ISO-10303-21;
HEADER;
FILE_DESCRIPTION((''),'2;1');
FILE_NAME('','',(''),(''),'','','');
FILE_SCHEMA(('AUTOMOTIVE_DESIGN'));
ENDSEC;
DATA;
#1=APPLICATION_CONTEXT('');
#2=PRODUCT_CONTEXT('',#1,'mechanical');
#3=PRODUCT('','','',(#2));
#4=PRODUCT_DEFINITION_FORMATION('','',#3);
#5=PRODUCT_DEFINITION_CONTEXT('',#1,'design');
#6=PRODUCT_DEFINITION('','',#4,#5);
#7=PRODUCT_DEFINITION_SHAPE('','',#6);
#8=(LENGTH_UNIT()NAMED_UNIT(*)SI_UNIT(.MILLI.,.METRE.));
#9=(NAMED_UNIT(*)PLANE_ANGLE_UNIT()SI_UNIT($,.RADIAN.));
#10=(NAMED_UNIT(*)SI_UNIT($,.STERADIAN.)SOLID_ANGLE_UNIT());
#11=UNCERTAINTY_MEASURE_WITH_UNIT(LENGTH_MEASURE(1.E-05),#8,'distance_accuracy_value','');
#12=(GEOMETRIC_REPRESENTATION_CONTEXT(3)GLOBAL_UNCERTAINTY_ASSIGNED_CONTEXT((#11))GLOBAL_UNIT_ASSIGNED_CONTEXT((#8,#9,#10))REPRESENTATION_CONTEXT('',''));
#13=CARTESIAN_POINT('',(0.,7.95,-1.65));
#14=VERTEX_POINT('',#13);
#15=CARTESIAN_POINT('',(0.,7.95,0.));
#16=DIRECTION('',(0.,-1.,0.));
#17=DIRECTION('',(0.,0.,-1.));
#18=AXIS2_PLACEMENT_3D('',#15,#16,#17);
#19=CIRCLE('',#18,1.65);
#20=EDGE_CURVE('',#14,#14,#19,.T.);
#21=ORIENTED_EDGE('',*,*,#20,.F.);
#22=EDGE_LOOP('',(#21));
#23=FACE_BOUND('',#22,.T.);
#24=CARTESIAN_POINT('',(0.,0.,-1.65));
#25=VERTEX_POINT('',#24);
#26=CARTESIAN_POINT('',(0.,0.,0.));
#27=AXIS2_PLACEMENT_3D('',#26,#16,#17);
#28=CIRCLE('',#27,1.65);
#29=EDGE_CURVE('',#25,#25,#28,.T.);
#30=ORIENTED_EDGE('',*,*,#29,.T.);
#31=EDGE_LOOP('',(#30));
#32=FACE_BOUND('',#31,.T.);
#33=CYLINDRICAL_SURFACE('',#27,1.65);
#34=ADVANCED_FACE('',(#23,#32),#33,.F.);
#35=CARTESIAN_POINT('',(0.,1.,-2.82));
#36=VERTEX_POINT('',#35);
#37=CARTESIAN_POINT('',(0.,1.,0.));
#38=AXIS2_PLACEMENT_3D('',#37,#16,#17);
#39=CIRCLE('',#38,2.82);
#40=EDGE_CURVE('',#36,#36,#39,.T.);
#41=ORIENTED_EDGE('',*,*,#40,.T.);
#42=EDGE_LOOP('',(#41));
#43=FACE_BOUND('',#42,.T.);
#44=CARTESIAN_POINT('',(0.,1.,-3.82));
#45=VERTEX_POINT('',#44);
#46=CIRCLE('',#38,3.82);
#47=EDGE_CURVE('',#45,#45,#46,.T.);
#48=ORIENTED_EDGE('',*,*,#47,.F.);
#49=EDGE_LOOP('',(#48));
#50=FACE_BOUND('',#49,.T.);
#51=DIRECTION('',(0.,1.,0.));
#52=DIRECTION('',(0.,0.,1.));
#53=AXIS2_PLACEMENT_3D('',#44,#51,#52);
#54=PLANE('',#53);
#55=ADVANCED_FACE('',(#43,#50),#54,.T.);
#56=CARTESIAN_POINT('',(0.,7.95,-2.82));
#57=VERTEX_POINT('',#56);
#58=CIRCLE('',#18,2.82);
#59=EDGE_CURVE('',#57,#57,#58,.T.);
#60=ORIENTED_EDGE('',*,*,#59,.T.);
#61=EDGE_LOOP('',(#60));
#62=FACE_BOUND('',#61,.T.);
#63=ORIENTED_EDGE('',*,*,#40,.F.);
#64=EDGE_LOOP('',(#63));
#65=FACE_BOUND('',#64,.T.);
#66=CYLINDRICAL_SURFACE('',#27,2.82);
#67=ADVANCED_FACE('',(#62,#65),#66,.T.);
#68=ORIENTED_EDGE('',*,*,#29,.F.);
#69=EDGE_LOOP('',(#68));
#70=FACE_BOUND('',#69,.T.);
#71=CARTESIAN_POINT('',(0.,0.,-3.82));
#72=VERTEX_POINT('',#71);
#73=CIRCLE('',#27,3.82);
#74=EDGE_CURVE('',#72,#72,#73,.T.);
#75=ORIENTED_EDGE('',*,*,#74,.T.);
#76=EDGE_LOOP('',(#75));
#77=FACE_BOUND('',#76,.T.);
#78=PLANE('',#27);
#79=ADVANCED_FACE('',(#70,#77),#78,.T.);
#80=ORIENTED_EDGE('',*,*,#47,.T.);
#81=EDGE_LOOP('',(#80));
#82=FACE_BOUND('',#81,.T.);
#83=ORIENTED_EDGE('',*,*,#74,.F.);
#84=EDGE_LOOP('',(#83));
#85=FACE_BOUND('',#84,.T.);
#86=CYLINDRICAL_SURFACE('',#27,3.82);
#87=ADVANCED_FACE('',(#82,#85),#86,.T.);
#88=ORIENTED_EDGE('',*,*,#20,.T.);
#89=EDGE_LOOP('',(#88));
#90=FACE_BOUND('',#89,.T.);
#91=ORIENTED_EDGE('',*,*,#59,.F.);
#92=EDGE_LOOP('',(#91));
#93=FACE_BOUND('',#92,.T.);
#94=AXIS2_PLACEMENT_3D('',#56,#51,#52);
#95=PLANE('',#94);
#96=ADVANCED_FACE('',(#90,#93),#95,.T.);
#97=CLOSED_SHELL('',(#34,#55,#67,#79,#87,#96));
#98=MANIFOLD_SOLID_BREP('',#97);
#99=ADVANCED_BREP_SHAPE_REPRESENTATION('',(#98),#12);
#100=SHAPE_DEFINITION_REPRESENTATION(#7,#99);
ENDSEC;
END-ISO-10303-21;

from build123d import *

# Parameters (mm, degrees)
M4X0_7_TAPPED_HOLE1_D = 3.3


with BuildPart() as part:
    # Sketch1 → Revolve1 (revolve)
    with BuildSketch(Plane(origin=(0, 0, 0), x_dir=(0, 0, -1), z_dir=(1, 0, 0))):
        Polygon((0, 0), (3.82, 0), (3.82, 1), (2.82, 1), (2.82, 7.95), (0, 7.95), align=None)
    revolve(axis=Axis((0, 0, 0), (0, 1, 0)))

    # M4x0.7 Tapped Hole1 (through all)
    with Locations(Plane(origin=(0, 0, 0), x_dir=(0, 0, -1), z_dir=(0, -1, 0))):
        with Locations((0, 0)):
            Hole(M4X0_7_TAPPED_HOLE1_D / 2)


solid = part.part
